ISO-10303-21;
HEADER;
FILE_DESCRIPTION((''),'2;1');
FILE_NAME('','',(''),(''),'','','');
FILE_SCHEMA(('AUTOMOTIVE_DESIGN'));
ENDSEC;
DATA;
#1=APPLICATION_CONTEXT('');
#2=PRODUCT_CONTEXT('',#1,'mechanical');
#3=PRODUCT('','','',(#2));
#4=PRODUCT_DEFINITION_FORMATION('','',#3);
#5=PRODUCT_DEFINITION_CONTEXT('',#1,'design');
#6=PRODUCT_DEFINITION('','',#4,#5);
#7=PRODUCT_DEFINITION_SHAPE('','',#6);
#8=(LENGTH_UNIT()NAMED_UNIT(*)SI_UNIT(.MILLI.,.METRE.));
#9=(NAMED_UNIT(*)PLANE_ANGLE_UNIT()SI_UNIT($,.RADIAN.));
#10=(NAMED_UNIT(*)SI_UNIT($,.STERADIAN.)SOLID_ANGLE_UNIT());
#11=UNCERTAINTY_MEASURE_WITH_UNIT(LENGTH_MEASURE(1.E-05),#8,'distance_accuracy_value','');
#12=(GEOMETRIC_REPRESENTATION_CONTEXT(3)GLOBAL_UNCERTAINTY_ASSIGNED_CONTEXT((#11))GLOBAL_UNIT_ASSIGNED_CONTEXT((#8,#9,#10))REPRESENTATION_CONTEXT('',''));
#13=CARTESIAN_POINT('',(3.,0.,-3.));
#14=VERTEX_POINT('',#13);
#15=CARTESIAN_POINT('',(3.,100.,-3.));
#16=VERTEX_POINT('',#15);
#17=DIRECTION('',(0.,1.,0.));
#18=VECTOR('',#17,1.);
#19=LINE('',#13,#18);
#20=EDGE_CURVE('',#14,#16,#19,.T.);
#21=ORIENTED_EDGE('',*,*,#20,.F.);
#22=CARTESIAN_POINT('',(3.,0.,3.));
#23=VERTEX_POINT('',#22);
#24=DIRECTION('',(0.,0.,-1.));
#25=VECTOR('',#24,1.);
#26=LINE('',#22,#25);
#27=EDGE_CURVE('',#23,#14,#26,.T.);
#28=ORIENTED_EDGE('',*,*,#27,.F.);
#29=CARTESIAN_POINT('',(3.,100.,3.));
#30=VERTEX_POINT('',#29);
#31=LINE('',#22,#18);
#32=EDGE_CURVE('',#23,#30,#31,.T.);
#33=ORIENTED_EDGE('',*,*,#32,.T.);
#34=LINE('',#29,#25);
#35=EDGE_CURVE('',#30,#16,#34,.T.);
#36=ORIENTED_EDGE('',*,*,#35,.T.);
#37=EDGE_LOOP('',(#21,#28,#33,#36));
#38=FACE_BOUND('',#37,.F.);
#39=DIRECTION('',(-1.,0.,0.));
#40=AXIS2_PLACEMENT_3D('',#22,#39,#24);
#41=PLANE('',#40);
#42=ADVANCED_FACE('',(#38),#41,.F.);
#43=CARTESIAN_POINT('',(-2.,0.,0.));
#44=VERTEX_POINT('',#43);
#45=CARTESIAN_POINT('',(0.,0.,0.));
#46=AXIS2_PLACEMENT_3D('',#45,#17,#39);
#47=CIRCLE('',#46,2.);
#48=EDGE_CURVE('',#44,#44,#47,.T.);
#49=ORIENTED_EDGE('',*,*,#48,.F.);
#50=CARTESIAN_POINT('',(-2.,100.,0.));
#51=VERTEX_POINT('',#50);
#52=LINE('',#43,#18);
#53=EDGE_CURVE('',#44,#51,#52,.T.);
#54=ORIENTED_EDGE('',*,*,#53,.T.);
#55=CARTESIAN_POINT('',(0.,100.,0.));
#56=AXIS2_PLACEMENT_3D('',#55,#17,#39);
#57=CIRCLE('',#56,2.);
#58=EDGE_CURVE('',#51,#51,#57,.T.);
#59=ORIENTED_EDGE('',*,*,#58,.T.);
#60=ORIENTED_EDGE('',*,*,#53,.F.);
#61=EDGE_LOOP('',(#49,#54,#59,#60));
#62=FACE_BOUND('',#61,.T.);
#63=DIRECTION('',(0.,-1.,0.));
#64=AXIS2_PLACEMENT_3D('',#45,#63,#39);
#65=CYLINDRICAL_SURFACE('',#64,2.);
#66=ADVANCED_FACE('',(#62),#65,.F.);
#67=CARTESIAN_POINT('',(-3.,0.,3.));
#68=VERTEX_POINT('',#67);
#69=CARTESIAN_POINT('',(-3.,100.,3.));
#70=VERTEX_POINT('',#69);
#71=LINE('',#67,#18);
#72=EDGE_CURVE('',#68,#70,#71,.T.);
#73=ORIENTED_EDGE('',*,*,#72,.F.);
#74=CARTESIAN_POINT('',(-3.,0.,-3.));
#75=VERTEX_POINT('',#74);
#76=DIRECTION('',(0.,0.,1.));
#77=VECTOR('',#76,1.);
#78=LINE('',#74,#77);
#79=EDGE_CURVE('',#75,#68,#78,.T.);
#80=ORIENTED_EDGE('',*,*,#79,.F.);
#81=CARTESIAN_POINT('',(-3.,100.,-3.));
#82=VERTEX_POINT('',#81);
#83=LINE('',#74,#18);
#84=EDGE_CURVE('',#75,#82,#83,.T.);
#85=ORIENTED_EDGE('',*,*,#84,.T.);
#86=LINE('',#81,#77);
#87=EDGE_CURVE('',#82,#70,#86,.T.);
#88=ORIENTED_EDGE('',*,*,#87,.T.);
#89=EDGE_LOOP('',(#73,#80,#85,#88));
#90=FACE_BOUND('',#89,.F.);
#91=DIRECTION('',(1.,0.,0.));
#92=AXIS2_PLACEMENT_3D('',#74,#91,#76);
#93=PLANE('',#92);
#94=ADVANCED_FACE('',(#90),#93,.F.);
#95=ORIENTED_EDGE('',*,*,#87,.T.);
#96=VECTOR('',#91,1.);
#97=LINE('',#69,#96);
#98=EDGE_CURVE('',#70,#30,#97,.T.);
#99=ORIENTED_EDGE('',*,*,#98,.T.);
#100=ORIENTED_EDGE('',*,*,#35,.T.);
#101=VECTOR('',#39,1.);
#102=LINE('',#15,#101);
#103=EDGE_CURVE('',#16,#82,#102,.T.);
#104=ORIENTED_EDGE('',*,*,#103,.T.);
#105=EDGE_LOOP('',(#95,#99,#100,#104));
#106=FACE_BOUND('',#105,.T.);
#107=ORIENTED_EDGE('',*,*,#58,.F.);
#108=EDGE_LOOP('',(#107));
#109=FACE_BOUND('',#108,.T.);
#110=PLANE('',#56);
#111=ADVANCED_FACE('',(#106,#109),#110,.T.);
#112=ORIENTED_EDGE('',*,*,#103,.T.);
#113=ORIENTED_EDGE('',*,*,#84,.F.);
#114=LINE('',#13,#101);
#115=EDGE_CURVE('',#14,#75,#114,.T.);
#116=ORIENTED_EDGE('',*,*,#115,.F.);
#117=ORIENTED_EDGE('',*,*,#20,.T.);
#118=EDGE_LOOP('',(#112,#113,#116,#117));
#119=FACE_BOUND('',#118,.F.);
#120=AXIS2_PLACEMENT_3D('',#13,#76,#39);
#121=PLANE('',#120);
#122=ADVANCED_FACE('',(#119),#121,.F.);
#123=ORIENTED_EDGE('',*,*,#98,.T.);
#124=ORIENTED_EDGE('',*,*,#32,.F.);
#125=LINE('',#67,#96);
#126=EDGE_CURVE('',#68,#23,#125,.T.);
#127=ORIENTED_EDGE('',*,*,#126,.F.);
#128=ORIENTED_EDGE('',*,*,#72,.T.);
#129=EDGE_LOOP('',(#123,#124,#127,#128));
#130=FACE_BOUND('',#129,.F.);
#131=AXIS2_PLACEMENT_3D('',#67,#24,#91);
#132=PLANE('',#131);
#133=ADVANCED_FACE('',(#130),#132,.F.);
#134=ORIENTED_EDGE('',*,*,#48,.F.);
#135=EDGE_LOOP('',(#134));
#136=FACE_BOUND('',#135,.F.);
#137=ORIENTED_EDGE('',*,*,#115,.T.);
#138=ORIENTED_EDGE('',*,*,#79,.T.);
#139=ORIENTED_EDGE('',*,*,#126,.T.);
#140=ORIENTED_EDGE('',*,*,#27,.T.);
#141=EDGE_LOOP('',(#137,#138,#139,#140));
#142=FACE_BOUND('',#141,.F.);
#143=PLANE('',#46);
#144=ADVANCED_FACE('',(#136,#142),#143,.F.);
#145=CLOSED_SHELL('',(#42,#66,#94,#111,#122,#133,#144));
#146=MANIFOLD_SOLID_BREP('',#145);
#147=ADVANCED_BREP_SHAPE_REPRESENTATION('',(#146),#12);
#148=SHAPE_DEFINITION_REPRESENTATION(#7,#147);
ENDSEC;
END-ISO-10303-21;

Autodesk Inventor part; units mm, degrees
ref_plane "YZ Plane" through (0, 0, 0) normal (1, 0, 0) x (0, 1, 0)
ref_plane "XZ Plane" through (0, 0, 0) normal (0, 1, 0) x (-1, 0, 0)
ref_plane "XY Plane" through (0, 0, 0) normal (0, 0, 1) x (1, 0, 0)
sketch "Sketch1" plane through (0, 0, 0) normal (0, 1, 0) x (-1, 0, 0)
  line L0 (3, 3) -> (-3, 3)
  line L1 (-3, 3) -> (-3, -3)
  line L2 (-3, -3) -> (3, -3)
  line L3 (3, -3) -> (3, 3)
  line L4 (3, 3) -> (-3, -3) construction
  line L5 (-3, 3) -> (3, -3) construction
  circle A0 centre (0, 0) radius 2
  dimension "d0" = 6
  dimension "d1" = 6
  dimension "d2" = 4
extrude "Extrusion1" add sketch "Sketch1" along normal blind 100
properties part number "carbon_fiber_70"
